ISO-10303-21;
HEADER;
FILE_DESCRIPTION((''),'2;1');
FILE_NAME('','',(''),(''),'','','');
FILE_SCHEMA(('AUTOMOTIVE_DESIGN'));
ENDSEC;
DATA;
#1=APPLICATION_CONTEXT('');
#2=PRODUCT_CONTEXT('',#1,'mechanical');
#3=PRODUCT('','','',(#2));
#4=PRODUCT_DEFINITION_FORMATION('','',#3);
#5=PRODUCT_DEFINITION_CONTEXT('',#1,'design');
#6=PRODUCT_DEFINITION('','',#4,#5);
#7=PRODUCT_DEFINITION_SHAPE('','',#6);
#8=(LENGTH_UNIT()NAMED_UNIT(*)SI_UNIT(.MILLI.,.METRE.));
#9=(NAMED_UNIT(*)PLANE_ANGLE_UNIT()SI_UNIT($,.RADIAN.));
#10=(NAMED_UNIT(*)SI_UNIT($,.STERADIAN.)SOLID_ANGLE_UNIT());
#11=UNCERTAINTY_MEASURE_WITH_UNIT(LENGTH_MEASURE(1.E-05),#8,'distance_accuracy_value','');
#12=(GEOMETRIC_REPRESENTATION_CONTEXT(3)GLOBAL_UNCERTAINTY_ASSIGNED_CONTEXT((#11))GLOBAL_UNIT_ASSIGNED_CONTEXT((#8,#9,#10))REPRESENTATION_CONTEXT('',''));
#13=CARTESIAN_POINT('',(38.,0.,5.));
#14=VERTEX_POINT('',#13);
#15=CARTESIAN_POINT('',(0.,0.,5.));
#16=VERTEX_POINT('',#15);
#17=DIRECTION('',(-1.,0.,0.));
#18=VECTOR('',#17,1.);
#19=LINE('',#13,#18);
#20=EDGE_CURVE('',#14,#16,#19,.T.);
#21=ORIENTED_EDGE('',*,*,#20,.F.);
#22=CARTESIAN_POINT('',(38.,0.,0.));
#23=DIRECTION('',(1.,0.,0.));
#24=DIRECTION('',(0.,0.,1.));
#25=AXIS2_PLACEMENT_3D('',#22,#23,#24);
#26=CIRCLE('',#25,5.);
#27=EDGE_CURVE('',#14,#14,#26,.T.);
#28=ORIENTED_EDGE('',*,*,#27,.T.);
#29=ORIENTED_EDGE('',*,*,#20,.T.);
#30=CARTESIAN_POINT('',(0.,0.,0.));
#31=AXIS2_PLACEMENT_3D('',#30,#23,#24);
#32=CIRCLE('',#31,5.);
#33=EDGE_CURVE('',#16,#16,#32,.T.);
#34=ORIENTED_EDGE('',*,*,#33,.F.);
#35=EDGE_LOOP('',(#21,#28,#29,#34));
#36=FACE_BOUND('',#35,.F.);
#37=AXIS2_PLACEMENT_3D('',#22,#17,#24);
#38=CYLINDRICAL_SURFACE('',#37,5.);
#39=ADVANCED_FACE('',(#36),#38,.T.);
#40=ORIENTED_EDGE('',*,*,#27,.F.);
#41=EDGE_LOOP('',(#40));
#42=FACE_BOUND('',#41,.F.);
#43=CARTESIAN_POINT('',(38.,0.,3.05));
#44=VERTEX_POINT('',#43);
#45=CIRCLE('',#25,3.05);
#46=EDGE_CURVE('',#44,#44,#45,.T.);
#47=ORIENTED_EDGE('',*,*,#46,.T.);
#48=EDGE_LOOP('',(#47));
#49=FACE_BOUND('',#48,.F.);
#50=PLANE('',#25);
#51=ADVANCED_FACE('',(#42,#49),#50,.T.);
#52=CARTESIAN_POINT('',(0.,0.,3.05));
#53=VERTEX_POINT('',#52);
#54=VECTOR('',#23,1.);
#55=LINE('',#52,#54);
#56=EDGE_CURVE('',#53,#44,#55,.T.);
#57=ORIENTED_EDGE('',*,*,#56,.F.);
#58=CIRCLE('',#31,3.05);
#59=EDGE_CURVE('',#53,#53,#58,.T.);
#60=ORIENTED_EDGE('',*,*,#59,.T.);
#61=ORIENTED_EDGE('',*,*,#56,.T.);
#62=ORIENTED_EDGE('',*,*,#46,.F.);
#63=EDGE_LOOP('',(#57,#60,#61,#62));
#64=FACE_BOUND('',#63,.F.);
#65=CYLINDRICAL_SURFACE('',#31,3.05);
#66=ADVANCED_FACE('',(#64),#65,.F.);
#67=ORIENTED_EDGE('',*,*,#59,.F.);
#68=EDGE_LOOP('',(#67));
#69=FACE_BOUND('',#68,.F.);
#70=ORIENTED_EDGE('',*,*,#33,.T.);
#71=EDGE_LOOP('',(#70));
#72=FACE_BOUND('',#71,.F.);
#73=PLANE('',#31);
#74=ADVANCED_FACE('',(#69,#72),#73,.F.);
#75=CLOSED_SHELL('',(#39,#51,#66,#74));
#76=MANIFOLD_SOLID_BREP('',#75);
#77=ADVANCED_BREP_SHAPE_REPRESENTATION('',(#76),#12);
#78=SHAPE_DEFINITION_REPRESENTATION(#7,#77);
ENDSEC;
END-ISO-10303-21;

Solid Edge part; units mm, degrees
sketch "Sketch1" plane through (0, 0, 0) normal (0, -1, 0) x (1, 0, 0)
  line L0 (0, 3.05) -> (38, 3.05)
  line L1 (38, 3.05) -> (38, 5)
  line L2 (38, 5) -> (0, 5)
  line L3 (0, 5) -> (0, 3.05)
revolve "RevolvedProtrusion1" add sketch "Sketch1" angle 360 about axis through (0, 0, 0) along (1, 0, 0)
properties material "Steel"
